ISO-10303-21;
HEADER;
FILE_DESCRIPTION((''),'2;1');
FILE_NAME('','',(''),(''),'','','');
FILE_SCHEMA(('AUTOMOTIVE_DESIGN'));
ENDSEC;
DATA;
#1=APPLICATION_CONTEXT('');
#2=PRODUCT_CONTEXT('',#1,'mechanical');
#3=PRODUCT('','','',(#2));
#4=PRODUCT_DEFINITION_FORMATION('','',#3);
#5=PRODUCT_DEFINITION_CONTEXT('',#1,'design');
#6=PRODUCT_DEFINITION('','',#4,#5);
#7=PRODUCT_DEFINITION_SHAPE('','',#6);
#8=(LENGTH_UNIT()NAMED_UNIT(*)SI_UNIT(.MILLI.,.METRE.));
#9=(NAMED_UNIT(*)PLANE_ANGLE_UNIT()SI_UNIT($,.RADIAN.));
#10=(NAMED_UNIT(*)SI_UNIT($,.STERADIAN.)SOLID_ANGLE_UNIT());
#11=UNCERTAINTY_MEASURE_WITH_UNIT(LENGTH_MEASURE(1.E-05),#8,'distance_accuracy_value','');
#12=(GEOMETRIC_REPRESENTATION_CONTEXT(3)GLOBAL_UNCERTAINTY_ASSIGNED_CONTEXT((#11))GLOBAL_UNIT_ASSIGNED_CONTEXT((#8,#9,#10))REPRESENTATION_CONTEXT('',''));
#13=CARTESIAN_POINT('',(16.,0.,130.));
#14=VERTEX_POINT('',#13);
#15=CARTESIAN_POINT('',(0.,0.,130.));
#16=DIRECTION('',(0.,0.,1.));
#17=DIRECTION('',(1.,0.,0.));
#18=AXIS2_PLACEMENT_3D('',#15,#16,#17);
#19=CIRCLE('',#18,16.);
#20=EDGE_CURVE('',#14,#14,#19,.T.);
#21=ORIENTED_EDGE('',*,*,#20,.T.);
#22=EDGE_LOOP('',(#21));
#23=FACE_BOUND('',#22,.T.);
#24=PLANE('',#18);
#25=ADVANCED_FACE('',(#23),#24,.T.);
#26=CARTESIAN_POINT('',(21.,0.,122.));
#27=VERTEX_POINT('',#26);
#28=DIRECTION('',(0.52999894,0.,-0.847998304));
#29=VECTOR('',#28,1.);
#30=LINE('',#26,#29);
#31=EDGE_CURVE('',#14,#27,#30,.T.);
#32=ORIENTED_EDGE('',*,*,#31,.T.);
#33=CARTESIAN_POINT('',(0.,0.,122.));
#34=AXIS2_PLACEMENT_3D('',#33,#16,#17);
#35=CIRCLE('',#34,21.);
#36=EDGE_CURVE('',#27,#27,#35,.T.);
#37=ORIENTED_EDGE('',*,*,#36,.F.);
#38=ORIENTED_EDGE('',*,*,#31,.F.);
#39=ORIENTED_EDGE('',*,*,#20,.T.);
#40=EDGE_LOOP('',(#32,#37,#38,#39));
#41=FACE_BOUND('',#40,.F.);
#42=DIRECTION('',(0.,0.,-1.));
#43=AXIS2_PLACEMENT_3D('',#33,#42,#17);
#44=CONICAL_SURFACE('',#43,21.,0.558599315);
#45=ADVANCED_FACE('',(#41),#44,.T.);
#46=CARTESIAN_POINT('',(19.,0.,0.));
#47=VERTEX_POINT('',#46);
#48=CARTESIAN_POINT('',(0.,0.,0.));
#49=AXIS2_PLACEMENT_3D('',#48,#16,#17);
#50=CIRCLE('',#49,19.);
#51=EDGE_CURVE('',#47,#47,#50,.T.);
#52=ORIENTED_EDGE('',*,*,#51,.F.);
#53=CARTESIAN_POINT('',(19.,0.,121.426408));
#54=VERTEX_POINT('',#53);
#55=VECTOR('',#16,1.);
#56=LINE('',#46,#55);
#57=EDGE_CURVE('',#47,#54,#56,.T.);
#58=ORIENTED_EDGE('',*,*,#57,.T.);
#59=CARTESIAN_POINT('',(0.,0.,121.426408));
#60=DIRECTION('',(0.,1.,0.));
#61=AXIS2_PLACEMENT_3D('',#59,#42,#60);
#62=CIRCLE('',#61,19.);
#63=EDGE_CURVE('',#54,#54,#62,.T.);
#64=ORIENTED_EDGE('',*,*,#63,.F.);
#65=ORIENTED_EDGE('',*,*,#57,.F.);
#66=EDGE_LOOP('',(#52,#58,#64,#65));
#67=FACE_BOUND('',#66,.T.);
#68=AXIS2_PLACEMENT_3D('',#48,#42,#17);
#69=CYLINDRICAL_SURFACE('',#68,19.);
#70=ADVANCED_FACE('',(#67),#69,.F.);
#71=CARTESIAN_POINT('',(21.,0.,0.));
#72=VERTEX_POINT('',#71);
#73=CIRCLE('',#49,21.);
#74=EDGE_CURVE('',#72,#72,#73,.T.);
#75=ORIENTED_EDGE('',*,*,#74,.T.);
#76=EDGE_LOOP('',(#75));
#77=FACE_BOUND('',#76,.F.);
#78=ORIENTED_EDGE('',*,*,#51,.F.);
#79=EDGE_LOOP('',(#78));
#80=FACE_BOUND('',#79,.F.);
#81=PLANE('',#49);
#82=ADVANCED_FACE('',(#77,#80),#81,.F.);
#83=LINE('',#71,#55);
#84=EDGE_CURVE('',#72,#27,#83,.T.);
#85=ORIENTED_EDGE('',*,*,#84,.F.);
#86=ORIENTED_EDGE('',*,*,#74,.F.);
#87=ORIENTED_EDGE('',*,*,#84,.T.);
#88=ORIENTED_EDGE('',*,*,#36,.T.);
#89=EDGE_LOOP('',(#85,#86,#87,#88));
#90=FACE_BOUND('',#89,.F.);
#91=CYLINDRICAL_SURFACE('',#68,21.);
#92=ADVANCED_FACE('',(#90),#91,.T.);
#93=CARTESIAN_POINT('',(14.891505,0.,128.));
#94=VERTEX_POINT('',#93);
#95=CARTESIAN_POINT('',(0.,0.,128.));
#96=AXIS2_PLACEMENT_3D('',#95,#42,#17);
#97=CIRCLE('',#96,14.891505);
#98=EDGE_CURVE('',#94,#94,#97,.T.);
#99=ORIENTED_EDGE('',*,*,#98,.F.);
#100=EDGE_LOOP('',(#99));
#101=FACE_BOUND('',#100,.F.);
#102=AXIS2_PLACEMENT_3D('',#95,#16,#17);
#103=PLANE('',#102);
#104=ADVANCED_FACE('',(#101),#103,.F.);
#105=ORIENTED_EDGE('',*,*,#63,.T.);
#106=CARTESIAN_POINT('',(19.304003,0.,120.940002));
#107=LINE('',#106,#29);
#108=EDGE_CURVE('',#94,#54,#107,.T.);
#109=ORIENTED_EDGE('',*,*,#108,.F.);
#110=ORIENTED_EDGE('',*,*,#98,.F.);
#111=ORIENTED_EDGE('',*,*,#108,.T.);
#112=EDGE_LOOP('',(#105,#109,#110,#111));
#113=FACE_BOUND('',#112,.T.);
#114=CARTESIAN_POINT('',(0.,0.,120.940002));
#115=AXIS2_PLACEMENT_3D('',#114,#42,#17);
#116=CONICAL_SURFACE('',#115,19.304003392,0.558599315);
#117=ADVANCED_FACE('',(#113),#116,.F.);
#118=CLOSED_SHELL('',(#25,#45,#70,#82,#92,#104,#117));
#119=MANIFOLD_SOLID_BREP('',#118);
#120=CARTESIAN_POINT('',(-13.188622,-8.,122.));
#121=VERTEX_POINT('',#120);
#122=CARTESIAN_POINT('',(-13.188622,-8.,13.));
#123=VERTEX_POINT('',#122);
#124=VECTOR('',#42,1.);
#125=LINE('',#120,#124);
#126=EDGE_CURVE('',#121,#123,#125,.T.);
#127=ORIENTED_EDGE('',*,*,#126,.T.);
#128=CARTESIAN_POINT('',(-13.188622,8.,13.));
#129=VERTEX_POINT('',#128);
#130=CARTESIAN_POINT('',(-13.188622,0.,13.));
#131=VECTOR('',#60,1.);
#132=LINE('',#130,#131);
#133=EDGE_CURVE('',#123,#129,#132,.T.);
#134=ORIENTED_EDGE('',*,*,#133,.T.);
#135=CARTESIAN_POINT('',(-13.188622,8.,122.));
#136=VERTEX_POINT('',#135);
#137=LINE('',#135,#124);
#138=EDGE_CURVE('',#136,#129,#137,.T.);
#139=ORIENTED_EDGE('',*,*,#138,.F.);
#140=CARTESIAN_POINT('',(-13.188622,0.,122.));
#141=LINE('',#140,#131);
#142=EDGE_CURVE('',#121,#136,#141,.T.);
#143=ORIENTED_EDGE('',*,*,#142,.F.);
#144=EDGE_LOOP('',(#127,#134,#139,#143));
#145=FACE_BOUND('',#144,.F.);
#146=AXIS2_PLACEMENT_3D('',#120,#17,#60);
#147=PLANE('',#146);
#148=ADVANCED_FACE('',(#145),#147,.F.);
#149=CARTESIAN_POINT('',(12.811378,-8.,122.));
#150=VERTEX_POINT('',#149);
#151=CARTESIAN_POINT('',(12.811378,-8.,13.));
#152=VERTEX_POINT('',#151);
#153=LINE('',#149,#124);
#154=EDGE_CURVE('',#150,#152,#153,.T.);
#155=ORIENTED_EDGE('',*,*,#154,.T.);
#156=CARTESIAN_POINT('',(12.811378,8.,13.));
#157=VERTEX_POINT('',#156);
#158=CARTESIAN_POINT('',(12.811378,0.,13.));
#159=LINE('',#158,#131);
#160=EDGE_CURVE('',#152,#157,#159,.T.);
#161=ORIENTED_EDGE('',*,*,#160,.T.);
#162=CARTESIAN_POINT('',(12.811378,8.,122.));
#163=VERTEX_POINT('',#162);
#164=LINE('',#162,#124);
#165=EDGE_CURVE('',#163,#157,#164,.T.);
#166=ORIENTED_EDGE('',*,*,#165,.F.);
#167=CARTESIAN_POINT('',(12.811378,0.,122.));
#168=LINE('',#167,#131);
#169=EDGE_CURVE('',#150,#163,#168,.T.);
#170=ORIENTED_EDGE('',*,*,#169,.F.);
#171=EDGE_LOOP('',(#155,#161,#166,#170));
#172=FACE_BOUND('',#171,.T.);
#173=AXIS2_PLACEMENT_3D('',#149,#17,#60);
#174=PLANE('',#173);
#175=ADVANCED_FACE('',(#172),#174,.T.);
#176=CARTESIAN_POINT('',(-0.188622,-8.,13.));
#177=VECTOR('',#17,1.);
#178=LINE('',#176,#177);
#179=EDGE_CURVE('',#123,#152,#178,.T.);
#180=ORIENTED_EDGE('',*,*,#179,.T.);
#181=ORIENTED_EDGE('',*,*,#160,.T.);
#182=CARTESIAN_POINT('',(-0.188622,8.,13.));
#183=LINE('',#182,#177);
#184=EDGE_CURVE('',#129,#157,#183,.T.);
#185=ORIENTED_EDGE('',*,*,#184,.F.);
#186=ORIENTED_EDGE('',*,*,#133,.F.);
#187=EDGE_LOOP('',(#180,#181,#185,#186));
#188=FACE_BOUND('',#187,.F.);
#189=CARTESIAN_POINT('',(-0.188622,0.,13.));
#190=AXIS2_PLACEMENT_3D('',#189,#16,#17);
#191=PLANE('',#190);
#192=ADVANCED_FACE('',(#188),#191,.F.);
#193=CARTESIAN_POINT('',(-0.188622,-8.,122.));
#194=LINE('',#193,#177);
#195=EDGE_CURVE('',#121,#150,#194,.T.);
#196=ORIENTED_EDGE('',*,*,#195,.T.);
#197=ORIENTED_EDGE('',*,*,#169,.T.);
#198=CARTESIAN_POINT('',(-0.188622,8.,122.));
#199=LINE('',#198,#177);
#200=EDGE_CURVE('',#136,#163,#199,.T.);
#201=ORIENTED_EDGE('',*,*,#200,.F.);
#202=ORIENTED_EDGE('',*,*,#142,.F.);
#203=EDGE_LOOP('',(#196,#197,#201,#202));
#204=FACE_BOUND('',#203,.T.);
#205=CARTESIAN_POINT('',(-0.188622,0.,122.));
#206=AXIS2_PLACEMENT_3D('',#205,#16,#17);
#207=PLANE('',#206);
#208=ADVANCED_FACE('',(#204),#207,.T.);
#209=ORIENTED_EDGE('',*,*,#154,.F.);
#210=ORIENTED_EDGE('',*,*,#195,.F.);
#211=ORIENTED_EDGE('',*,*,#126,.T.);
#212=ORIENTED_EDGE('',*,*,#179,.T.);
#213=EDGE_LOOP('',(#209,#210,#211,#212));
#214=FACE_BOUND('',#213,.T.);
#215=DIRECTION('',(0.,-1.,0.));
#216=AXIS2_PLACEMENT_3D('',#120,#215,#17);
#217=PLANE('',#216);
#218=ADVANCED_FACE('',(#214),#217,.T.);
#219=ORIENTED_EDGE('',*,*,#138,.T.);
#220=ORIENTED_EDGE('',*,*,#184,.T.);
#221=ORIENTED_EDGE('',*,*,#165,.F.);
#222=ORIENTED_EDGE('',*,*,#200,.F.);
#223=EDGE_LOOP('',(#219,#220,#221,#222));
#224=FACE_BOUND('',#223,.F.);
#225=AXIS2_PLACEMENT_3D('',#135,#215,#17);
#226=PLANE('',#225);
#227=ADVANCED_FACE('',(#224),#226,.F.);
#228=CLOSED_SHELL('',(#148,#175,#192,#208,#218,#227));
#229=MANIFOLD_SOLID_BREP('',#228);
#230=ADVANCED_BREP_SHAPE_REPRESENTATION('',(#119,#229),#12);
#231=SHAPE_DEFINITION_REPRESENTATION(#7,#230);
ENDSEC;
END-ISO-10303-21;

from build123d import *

# Parameters (mm, degrees)
F0_R     = 21
F1_DEPTH = 130
F2_SIZE2 = 8
F2_SIZE  = 5
F3_T     = -2
F5_W     = 26
F5_H     = 16
F6_DEPTH = 109


with BuildPart() as f1:
    # F0 (on Top) → F1 (new body)
    with BuildSketch(Plane.XY):
        Circle(F0_R)
    extrude(amount=F1_DEPTH)

    # F2
    f2_edges = [f1.edges().sort_by_distance(p)[0] for p in [
        (-21, 0, 130),
    ]]
    f2_side = f1.faces().sort_by_distance((0, 0, 130))[0]
    chamfer(f2_edges, length=F2_SIZE, length2=F2_SIZE2, reference=f2_side)

    # F3
    f3_openings = [f1.faces().sort_by_distance(p)[0] for p in [
        (0, 0, 0),
    ]]
    offset(amount=F3_T, openings=f3_openings)


with BuildPart() as f6:
    # F5 (on offset) → F6 (new body)
    with BuildSketch(Plane.XY.offset(122)):
        with Locations((-0.188622158, 0)):
            Rectangle(F5_W, F5_H)
    extrude(amount=-F6_DEPTH)


solid = Compound([f1.part, f6.part])
